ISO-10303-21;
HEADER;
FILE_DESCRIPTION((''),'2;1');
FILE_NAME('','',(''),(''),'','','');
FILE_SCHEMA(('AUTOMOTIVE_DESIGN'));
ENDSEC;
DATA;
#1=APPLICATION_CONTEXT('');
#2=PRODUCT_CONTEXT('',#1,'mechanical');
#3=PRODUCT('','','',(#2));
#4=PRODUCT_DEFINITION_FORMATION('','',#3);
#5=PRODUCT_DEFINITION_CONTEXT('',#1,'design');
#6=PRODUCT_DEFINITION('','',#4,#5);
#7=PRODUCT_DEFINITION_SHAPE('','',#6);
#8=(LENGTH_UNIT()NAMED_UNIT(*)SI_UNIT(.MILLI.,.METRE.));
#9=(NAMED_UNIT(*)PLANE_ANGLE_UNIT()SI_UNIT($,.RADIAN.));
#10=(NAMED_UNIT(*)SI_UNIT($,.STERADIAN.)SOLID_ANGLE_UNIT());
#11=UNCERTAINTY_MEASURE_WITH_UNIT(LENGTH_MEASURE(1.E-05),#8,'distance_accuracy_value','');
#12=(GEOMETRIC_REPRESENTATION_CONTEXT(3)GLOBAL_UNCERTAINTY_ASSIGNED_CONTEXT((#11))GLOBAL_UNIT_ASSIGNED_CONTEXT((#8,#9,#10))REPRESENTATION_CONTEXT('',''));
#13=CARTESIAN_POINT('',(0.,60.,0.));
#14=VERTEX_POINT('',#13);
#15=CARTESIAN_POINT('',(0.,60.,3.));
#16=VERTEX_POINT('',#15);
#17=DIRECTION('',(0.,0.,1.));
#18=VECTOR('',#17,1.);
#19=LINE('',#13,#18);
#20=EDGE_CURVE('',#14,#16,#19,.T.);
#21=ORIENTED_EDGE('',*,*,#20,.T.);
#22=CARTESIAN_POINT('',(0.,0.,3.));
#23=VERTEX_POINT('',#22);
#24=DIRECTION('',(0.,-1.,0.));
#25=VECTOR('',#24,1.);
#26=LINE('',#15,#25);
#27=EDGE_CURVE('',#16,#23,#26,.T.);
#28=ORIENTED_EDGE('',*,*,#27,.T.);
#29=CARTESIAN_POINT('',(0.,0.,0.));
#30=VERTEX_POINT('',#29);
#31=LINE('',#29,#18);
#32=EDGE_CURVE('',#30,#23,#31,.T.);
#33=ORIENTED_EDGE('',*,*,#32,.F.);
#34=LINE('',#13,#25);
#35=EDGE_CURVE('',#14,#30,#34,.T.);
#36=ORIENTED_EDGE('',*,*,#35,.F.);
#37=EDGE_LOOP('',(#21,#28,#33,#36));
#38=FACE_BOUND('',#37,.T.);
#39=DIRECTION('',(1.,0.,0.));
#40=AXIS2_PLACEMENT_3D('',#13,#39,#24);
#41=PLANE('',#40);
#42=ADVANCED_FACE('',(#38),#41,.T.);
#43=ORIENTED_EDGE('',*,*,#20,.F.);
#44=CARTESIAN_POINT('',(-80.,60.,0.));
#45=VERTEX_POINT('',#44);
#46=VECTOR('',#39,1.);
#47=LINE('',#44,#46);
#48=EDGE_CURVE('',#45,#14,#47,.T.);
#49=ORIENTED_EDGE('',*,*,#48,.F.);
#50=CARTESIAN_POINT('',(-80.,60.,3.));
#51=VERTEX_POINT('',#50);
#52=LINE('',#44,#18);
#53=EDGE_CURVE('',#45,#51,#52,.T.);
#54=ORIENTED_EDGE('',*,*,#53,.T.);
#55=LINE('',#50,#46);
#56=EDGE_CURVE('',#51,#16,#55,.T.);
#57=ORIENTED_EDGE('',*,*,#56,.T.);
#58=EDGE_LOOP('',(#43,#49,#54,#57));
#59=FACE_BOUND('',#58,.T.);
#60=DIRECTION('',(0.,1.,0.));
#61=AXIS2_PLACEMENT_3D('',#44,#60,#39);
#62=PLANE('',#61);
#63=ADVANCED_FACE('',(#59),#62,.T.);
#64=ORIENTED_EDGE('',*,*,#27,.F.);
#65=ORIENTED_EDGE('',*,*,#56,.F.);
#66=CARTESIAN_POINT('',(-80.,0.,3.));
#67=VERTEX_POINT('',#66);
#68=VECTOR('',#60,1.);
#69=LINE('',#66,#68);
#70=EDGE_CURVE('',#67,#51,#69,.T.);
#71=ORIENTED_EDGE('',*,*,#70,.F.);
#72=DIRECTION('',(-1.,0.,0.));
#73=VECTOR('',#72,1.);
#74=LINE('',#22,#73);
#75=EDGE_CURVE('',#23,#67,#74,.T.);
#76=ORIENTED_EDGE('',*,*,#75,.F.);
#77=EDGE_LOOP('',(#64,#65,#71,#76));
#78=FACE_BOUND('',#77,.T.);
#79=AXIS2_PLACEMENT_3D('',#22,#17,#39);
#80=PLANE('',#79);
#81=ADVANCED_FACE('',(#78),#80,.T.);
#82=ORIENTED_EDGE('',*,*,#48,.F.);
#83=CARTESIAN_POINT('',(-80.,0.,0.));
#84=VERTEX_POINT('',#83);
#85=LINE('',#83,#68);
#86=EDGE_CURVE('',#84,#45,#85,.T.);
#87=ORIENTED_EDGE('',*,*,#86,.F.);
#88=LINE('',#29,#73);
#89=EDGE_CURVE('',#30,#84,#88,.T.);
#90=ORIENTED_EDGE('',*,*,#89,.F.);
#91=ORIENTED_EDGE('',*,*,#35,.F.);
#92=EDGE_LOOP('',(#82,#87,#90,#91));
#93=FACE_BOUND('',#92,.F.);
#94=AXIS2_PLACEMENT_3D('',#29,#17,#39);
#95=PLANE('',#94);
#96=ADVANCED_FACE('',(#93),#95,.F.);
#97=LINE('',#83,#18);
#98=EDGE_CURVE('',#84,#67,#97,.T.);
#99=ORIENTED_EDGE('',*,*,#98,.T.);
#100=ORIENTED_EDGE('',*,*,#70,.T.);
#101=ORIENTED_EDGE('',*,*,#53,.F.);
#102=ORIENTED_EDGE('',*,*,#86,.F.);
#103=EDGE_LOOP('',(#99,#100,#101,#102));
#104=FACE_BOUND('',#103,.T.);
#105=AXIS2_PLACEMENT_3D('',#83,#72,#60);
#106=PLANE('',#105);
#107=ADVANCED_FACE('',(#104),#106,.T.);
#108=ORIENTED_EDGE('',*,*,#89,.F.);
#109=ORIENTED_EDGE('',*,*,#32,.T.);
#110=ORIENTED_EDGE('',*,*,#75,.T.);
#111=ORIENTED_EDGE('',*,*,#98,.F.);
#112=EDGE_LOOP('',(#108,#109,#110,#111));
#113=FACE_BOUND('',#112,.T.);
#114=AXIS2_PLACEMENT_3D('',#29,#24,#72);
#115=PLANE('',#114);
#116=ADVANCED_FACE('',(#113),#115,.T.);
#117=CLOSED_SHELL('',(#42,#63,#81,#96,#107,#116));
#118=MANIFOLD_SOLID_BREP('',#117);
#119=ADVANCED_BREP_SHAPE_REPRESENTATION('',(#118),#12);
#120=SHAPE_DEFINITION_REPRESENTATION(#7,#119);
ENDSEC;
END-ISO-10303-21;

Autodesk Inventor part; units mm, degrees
ref_plane "YZ Plane" through (0, 0, 0) normal (1, 0, 0) x (0, 1, 0)
ref_plane "XZ Plane" through (0, 0, 0) normal (0, 1, 0) x (-1, 0, 0)
ref_plane "XY Plane" through (0, 0, 0) normal (0, 0, 1) x (1, 0, 0)
sketch "Sketch1" plane through (0, 0, 0) normal (0, 0, 1) x (1, 0, 0)
  line L0 (0, 0) -> (-80, 0)
  line L1 (-80, 0) -> (-80, 60)
  line L2 (-80, 60) -> (0, 60)
  line L3 (0, 60) -> (0, 0)
  dimension "d0" = 80
  dimension "d1" = 60
extrude "Extrusion1" add sketch "Sketch1" along normal blind 3
properties part number "pannello solare" material "Nickel-Copper Alloy 400"
